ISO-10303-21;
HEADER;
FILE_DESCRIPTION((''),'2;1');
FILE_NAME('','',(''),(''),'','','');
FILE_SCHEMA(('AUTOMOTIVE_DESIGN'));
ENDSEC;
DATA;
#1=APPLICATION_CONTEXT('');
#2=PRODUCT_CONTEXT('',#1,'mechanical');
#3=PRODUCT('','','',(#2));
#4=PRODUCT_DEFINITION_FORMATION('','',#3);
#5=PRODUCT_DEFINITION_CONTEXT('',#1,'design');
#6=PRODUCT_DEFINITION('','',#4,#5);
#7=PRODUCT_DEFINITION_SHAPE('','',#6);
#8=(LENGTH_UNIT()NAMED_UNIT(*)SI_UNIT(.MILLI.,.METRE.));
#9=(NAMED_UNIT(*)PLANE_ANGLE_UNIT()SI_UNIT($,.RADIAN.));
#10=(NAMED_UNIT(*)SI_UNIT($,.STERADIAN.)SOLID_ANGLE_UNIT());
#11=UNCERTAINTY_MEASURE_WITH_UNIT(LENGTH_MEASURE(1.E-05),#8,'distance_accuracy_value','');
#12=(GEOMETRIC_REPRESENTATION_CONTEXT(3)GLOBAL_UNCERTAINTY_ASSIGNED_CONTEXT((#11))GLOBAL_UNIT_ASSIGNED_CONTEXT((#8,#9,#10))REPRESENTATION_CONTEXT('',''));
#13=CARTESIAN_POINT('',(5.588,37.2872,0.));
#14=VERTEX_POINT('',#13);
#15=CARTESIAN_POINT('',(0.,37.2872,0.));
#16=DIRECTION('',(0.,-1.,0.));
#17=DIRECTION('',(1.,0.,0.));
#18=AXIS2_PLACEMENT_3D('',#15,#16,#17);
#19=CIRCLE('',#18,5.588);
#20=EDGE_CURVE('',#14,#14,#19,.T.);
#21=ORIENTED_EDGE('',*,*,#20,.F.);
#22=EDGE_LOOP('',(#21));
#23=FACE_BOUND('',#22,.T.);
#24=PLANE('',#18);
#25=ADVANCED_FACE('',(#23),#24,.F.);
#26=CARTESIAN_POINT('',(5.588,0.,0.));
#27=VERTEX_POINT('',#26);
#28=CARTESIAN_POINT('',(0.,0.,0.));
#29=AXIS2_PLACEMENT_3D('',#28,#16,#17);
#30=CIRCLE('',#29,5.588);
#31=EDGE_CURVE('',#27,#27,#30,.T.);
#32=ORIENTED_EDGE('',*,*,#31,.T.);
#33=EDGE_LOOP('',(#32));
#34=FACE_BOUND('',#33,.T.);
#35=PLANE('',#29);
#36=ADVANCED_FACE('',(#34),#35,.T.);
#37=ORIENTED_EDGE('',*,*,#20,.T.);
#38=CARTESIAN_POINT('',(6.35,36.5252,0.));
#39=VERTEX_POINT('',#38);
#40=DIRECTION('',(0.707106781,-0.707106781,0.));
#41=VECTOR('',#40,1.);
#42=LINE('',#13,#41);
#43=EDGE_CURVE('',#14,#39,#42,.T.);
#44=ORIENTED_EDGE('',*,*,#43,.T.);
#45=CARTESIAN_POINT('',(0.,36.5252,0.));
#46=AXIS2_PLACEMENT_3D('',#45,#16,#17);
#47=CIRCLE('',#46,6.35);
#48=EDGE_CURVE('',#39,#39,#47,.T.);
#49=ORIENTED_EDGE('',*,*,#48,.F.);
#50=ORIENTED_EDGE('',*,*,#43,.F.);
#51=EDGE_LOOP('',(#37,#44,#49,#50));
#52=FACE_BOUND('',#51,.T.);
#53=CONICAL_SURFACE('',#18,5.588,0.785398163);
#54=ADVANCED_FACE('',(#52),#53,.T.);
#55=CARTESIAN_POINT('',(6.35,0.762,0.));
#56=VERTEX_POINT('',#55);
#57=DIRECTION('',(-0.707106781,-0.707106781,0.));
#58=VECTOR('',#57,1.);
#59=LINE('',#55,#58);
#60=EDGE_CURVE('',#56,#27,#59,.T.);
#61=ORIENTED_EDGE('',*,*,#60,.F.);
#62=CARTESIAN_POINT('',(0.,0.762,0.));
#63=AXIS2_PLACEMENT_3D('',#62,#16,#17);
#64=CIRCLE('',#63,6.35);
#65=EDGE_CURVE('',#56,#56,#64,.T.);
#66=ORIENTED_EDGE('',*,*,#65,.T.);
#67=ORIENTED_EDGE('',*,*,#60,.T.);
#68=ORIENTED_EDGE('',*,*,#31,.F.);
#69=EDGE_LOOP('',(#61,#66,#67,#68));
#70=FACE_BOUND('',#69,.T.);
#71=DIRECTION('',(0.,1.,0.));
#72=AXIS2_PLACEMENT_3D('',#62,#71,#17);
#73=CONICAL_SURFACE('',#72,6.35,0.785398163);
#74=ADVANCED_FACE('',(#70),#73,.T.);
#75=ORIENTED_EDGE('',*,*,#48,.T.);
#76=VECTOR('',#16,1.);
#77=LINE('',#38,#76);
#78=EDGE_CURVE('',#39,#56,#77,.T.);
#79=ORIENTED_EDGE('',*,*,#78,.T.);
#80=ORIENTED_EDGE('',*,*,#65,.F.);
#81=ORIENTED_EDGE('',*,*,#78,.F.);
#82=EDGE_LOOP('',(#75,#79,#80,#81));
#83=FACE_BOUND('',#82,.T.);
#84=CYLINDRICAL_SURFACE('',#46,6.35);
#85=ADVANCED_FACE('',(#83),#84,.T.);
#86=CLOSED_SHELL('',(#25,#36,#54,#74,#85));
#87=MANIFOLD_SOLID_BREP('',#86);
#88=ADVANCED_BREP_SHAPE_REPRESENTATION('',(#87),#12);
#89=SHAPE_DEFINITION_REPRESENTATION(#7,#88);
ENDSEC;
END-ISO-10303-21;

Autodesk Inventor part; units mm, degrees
sketch "Sketch_10" plane through (0, 0, 0) normal (0, 0, 1) x (1, 0, 0)
  line L0 (0, 0) -> (0, 37.2872)
  line L1 (0, 37.2872) -> (5.588, 37.2872)
  line L2 (5.588, 37.2872) -> (6.35, 36.5252)
  line L3 (6.35, 36.5252) -> (6.35, 0.762)
  line L4 (6.35, 0.762) -> (5.588, 0)
  line L5 (5.588, 0) -> (0, 0)
  line L6 (0, 0) -> (0, 37.2872)
revolve "Revolution1" add sketch "Sketch_10" angle 360 about axis through (0, 0, 0) along (0, -1, 0)
ref_plane "b11_XY" through (0, 0, 0) normal (0, 1, 0) x (1, 0, 0)
ref_plane "b11_YZ" through (0, 0, 0) normal (1, 0, 0) x (0, 0, -1)
ref_plane "b11_ZX" through (0, 0, 0) normal (0, 0, -1) x (0, 1, 0)
ref_plane "b2_XY" through (0, 37.2872, 0) normal (0, 1, 0) x (1, 0, 0)
ref_plane "b2_YZ" through (0, 37.2872, 0) normal (1, 0, 0) x (0, 0, -1)
ref_plane "b2_ZX" through (0, 37.2872, 0) normal (0, 0, -1) x (0, 1, 0)
ref_plane "f1_XY" through (0, 37.2872, 6.35) normal (1, 0, 0) x (0, 0, -1)
ref_plane "f1_YZ" through (0, 37.2872, 6.35) normal (0, 0, -1) x (0, 1, 0)
ref_plane "f1_ZX" through (0, 37.2872, 6.35) normal (0, 1, 0) x (1, 0, 0)
ref_plane "f2_XY" through (0, 37.2872, -6.35) normal (1, 0, 0) x (0, 0, -1)
ref_plane "f2_YZ" through (0, 37.2872, -6.35) normal (0, 0, -1) x (0, 1, 0)
ref_plane "f2_ZX" through (0, 37.2872, -6.35) normal (0, 1, 0) x (1, 0, 0)
ref_plane "h1_XY" through (-5.5309, 37.2872, 0) normal (0, 1, 0) x (1, 0, 0)
ref_plane "h1_YZ" through (-5.5309, 37.2872, 0) normal (1, 0, 0) x (0, 0, -1)
ref_plane "h1_ZX" through (-5.5309, 37.2872, 0) normal (0, 0, -1) x (0, 1, 0)
ref_plane "h2_XY" through (5.5309, 37.2872, 0) normal (0, 1, 0) x (1, 0, 0)
ref_plane "h2_YZ" through (5.5309, 37.2872, 0) normal (1, 0, 0) x (0, 0, -1)
ref_plane "h2_ZX" through (5.5309, 37.2872, 0) normal (0, 0, -1) x (0, 1, 0)
ref_plane "npt1_XY" through (0, 37.2872, 5.1435) normal (0, 1, 0) x (1, 0, 0)
ref_plane "npt1_YZ" through (0, 37.2872, 5.1435) normal (1, 0, 0) x (0, 0, -1)
ref_plane "npt1_ZX" through (0, 37.2872, 5.1435) normal (0, 0, -1) x (0, 1, 0)
ref_plane "npt1_1_XY" through (0, 0, 5.1435) normal (0, 1, 0) x (1, 0, 0)
ref_plane "npt1_1_YZ" through (0, 0, 5.1435) normal (1, 0, 0) x (0, 0, -1)
ref_plane "npt1_1_ZX" through (0, 0, 5.1435) normal (0, 0, -1) x (0, 1, 0)
ref_plane "npt2_XY" through (0, 37.2872, -5.1435) normal (0, 1, 0) x (1, 0, 0)
ref_plane "npt2_YZ" through (0, 37.2872, -5.1435) normal (1, 0, 0) x (0, 0, -1)
ref_plane "npt2_ZX" through (0, 37.2872, -5.1435) normal (0, 0, -1) x (0, 1, 0)
ref_plane "npt2_1_XY" through (0, 0, -5.1435) normal (0, 1, 0) x (1, 0, 0)
ref_plane "npt2_1_YZ" through (0, 0, -5.1435) normal (1, 0, 0) x (0, 0, -1)
ref_plane "npt2_1_ZX" through (0, 0, -5.1435) normal (0, 0, -1) x (0, 1, 0)
ref_plane "rod_XY" through (0, 0, 0) normal (0, 1, 0) x (1, 0, 0)
ref_plane "rod_YZ" through (0, 0, 0) normal (1, 0, 0) x (0, 0, -1)
ref_plane "rod_ZX" through (0, 0, 0) normal (0, 0, -1) x (0, 1, 0)
ref_plane "rod_to_part_XY" through (0, 0, 0) normal (0, 1, 0) x (1, 0, 0)
ref_plane "rod_to_part_YZ" through (0, 0, 0) normal (1, 0, 0) x (0, 0, -1)
ref_plane "rod_to_part_ZX" through (0, 0, 0) normal (0, 0, -1) x (0, 1, 0)
ref_plane "th1_XY" through (0, 37.2872, 3.9688) normal (0, 1, 0) x (1, 0, 0)
ref_plane "th1_YZ" through (0, 37.2872, 3.9688) normal (1, 0, 0) x (0, 0, -1)
ref_plane "th1_ZX" through (0, 37.2872, 3.9688) normal (0, 0, -1) x (0, 1, 0)
ref_plane "th2_XY" through (0, 37.2872, -3.9688) normal (0, 1, 0) x (1, 0, 0)
ref_plane "th2_YZ" through (0, 37.2872, -3.9688) normal (1, 0, 0) x (0, 0, -1)
ref_plane "th2_ZX" through (0, 37.2872, -3.9688) normal (0, 0, -1) x (0, 1, 0)
ref_plane "to_rod_pivot_XY" through (0, 37.2872, 0) normal (0, 1, 0) x (1, 0, 0)
ref_plane "to_rod_pivot_YZ" through (0, 37.2872, 0) normal (1, 0, 0) x (0, 0, -1)
ref_plane "to_rod_pivot_ZX" through (0, 37.2872, 0) normal (0, 0, -1) x (0, 1, 0)
ref_plane "to_rod_pivot1_XY" through (0, 0, 0) normal (0, 1, 0) x (1, 0, 0)
ref_plane "to_rod_pivot1_YZ" through (0, 0, 0) normal (1, 0, 0) x (0, 0, -1)
ref_plane "to_rod_pivot1_ZX" through (0, 0, 0) normal (0, 0, -1) x (0, 1, 0)
properties part number "FO-090.751.468NT-00_rod-bif"
